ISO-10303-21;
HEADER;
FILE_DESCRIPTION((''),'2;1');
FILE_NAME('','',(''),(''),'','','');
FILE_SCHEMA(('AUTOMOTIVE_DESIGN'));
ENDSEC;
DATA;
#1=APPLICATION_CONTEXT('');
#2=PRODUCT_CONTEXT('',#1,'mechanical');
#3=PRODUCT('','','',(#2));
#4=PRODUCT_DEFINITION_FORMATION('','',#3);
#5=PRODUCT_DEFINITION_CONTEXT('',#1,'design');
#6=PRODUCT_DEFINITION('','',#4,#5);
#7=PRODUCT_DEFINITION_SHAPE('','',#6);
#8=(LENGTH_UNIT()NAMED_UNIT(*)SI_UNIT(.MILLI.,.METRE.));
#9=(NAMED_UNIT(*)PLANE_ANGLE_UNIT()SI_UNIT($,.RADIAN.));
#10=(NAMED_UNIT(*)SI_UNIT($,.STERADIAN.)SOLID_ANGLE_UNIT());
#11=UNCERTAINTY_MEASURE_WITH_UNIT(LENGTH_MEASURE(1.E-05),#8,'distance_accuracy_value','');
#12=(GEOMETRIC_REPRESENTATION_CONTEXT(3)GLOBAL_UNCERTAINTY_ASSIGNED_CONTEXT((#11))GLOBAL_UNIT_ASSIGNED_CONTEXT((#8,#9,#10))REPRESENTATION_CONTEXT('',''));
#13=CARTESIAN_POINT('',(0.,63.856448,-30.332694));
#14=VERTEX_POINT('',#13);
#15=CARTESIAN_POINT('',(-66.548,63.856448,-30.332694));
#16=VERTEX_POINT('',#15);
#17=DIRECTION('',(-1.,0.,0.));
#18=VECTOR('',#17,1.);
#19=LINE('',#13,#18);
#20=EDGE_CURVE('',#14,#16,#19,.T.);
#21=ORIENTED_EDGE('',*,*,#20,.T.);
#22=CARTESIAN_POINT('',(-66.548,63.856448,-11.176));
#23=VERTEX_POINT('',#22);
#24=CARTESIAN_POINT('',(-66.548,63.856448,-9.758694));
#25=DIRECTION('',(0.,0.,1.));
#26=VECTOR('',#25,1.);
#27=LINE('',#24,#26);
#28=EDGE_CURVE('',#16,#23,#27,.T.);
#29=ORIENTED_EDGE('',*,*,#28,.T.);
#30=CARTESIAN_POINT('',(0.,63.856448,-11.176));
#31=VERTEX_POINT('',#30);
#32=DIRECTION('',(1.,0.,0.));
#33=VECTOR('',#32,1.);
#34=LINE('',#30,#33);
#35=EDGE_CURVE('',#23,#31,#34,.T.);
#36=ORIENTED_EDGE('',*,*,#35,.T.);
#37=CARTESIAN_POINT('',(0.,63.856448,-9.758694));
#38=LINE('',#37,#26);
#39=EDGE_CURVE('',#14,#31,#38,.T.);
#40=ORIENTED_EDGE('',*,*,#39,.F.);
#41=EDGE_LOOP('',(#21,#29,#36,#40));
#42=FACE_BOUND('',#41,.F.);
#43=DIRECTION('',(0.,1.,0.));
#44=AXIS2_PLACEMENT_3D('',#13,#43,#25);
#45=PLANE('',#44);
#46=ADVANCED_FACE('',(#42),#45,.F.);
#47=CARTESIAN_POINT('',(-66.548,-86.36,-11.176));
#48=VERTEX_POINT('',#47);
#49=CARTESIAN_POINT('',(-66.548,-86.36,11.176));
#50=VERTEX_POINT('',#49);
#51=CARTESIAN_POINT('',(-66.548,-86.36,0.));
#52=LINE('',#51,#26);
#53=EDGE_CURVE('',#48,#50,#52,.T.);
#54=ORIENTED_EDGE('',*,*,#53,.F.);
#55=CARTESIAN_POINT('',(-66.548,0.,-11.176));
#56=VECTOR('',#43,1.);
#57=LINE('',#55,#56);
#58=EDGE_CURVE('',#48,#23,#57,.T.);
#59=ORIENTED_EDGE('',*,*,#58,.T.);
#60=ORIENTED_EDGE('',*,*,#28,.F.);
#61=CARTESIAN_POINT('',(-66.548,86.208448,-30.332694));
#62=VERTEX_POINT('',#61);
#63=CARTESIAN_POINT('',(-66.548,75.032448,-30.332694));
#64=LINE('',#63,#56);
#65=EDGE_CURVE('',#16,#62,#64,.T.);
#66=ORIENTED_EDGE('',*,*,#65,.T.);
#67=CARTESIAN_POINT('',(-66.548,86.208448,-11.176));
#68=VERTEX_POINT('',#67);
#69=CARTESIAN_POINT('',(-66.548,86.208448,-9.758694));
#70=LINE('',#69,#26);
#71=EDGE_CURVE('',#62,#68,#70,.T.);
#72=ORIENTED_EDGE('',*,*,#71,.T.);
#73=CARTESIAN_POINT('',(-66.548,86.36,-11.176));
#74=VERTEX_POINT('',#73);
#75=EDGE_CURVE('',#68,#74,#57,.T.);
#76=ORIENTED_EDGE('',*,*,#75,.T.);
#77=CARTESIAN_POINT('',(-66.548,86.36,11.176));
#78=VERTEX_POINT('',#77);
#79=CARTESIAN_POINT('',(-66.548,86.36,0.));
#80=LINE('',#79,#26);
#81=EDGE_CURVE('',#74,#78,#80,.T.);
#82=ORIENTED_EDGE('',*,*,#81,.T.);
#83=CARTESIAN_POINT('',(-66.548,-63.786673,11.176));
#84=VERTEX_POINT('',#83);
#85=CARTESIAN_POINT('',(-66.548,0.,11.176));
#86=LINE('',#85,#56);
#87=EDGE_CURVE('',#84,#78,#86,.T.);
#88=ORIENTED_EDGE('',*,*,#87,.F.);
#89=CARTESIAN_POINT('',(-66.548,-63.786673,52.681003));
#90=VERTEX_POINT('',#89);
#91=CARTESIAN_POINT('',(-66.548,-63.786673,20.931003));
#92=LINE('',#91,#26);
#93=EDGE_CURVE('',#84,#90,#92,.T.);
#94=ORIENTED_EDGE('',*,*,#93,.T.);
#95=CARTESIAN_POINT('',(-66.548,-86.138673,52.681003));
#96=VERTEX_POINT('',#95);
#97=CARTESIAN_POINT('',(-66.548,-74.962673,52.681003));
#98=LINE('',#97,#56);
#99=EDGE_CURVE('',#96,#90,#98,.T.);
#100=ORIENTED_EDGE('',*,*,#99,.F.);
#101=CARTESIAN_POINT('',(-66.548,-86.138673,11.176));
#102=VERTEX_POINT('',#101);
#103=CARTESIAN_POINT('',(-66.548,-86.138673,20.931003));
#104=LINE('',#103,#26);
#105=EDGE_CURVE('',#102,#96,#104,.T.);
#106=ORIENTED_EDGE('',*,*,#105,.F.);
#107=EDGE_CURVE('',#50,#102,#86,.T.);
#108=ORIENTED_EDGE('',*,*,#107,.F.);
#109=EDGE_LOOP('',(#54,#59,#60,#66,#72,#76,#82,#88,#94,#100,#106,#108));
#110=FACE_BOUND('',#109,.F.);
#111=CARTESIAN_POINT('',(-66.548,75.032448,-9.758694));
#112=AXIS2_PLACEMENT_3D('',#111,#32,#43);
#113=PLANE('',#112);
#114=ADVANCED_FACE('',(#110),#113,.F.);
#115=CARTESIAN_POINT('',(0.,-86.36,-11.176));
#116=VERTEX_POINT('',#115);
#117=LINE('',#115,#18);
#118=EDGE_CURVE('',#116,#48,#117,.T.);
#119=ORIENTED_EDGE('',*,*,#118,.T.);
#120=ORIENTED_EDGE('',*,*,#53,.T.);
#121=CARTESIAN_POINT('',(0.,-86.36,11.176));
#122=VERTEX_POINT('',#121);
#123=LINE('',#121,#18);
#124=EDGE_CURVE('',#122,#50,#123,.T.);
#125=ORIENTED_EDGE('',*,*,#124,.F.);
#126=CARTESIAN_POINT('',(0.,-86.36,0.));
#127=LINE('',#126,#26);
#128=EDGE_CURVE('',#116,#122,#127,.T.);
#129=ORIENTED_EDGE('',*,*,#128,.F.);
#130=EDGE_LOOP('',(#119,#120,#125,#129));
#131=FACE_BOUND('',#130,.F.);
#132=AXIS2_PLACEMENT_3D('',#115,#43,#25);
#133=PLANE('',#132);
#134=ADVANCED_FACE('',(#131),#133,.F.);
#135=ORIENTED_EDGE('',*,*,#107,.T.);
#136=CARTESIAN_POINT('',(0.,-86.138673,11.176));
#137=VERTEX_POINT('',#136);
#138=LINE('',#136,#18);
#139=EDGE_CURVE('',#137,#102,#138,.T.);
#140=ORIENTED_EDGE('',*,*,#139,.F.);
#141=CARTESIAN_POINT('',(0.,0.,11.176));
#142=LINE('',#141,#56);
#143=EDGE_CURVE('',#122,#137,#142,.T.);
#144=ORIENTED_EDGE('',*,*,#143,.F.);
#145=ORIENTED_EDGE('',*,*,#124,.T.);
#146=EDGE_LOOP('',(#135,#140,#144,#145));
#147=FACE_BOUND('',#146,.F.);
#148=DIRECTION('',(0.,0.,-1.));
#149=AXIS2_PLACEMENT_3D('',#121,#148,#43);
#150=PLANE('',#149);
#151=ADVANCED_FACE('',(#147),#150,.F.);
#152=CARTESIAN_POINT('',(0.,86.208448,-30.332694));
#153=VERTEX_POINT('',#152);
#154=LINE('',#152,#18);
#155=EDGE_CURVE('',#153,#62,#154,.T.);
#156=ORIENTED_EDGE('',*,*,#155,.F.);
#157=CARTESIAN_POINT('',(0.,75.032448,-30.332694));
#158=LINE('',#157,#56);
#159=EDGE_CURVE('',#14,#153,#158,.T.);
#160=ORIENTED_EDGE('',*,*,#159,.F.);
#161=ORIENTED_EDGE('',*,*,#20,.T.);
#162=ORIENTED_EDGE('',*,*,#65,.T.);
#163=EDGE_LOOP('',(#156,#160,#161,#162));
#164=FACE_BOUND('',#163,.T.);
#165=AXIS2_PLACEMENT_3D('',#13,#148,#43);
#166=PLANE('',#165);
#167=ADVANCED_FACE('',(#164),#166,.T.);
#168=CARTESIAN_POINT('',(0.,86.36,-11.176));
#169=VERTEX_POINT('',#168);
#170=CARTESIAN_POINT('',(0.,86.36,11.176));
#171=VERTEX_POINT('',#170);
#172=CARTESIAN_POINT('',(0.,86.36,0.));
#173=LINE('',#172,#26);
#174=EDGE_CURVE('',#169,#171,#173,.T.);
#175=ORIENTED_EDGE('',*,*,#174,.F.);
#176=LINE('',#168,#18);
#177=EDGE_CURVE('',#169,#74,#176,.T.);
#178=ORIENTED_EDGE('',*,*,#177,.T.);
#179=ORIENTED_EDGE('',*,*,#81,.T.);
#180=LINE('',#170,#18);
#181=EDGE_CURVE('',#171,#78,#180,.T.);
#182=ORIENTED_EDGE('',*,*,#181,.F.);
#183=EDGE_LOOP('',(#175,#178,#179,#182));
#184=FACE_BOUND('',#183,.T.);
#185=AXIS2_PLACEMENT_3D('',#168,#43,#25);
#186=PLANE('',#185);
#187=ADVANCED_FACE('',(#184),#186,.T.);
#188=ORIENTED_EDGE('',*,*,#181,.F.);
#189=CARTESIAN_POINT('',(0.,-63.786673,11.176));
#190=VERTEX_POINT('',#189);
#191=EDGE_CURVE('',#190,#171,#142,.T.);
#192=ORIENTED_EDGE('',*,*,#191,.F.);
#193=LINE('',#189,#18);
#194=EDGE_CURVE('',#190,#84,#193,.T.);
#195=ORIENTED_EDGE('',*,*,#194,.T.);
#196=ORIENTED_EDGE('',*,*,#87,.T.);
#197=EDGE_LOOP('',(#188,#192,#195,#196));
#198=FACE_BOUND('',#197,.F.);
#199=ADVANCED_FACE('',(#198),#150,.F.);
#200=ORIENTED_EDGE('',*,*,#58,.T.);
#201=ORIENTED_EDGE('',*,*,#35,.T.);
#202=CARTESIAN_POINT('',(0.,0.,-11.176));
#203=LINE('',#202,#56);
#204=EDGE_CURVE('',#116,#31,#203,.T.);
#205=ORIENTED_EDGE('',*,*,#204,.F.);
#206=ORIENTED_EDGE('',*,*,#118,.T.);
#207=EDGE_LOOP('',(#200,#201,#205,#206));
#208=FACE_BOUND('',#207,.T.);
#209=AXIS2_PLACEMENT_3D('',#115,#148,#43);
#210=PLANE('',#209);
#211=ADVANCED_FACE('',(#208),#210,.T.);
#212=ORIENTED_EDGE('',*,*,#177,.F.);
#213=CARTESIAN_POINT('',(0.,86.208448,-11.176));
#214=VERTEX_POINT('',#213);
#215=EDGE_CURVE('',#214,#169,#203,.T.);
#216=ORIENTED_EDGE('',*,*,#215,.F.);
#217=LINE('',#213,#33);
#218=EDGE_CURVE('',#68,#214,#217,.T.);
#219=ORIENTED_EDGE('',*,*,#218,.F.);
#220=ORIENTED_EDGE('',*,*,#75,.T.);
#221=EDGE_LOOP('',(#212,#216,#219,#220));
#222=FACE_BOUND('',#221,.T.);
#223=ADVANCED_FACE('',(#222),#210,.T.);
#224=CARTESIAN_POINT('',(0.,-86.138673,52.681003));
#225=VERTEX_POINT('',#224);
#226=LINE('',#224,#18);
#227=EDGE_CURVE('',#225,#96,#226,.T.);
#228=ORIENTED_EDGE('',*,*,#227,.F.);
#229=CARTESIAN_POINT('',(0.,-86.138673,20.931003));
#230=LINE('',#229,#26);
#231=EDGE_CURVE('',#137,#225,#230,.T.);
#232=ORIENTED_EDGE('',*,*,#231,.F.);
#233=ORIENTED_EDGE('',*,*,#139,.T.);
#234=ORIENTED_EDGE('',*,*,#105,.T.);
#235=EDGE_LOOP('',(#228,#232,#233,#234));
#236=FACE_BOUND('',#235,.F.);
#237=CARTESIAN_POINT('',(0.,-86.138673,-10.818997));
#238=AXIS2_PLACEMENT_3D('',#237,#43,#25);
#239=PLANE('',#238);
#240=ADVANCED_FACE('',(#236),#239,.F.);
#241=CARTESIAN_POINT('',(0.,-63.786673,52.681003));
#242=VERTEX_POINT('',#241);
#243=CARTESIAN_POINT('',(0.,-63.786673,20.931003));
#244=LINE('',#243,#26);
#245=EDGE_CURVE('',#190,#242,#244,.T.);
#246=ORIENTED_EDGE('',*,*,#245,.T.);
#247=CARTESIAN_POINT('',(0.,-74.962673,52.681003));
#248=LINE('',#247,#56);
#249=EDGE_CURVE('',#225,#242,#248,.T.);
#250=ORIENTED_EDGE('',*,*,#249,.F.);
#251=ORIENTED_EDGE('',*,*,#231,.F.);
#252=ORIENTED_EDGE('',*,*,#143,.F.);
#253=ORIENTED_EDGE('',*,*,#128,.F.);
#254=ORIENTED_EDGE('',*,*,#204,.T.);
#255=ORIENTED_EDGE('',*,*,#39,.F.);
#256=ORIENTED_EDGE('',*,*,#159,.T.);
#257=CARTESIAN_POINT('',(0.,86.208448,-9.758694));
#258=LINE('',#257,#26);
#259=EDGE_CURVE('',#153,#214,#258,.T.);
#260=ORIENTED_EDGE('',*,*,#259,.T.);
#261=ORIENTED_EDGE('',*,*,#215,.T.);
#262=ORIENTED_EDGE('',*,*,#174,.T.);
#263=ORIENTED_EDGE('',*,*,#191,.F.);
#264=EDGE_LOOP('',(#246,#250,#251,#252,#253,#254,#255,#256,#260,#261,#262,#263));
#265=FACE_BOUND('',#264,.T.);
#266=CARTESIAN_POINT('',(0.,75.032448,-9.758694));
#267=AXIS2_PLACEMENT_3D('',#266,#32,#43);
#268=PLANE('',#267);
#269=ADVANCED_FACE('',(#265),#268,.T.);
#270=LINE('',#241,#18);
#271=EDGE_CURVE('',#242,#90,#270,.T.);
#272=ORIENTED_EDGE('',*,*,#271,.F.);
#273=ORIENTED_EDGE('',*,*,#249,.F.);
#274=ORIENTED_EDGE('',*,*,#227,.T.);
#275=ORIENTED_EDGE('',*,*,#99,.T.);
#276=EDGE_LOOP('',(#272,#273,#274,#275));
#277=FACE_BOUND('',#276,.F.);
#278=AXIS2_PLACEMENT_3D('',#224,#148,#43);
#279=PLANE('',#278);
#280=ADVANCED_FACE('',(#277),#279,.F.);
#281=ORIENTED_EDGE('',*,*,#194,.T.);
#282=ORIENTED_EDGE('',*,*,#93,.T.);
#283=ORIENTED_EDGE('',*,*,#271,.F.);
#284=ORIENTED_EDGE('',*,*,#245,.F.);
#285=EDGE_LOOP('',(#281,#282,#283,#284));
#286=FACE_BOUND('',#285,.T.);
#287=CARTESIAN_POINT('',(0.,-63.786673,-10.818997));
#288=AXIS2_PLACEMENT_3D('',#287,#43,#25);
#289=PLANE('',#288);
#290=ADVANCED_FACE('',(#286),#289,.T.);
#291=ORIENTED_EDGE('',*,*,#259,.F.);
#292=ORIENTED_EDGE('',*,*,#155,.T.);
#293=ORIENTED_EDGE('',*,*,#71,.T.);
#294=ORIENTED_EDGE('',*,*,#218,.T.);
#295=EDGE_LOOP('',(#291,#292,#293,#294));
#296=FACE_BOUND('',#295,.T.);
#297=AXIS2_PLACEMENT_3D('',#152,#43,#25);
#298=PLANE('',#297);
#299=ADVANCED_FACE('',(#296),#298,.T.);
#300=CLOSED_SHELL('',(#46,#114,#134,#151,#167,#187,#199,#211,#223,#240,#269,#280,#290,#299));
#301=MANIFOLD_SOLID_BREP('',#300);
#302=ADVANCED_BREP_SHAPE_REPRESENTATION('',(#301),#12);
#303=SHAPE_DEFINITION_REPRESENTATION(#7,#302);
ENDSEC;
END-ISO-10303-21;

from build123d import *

# Parameters (mm, degrees)
F2_W     = 22.352
F2_H     = 63.5
F3_DEPTH = 66.548
F0_W     = 172.72
F0_H     = 22.352
F4_DEPTH = 66.548
F1_W     = 22.352
F1_H     = 41.148
F5_DEPTH = 66.548


with BuildPart() as f3:
    # F2 (on Right) → F3 (new body)
    with BuildSketch(Plane.YZ):
        with Locations((-74.962673, 20.931003)):
            Rectangle(F2_W, F2_H)
    extrude(amount=-F3_DEPTH)

    # F0 (on Right) → F4 (join)
    with BuildSketch(Plane.YZ):
        Rectangle(F0_W, F0_H)
    extrude(amount=-F4_DEPTH)

    # F1 (on Right) → F5 (join)
    with BuildSketch(Plane.YZ):
        with Locations((75.032448, -9.758694)):
            Rectangle(F1_W, F1_H)
    extrude(amount=-F5_DEPTH)


solid = f3.part
